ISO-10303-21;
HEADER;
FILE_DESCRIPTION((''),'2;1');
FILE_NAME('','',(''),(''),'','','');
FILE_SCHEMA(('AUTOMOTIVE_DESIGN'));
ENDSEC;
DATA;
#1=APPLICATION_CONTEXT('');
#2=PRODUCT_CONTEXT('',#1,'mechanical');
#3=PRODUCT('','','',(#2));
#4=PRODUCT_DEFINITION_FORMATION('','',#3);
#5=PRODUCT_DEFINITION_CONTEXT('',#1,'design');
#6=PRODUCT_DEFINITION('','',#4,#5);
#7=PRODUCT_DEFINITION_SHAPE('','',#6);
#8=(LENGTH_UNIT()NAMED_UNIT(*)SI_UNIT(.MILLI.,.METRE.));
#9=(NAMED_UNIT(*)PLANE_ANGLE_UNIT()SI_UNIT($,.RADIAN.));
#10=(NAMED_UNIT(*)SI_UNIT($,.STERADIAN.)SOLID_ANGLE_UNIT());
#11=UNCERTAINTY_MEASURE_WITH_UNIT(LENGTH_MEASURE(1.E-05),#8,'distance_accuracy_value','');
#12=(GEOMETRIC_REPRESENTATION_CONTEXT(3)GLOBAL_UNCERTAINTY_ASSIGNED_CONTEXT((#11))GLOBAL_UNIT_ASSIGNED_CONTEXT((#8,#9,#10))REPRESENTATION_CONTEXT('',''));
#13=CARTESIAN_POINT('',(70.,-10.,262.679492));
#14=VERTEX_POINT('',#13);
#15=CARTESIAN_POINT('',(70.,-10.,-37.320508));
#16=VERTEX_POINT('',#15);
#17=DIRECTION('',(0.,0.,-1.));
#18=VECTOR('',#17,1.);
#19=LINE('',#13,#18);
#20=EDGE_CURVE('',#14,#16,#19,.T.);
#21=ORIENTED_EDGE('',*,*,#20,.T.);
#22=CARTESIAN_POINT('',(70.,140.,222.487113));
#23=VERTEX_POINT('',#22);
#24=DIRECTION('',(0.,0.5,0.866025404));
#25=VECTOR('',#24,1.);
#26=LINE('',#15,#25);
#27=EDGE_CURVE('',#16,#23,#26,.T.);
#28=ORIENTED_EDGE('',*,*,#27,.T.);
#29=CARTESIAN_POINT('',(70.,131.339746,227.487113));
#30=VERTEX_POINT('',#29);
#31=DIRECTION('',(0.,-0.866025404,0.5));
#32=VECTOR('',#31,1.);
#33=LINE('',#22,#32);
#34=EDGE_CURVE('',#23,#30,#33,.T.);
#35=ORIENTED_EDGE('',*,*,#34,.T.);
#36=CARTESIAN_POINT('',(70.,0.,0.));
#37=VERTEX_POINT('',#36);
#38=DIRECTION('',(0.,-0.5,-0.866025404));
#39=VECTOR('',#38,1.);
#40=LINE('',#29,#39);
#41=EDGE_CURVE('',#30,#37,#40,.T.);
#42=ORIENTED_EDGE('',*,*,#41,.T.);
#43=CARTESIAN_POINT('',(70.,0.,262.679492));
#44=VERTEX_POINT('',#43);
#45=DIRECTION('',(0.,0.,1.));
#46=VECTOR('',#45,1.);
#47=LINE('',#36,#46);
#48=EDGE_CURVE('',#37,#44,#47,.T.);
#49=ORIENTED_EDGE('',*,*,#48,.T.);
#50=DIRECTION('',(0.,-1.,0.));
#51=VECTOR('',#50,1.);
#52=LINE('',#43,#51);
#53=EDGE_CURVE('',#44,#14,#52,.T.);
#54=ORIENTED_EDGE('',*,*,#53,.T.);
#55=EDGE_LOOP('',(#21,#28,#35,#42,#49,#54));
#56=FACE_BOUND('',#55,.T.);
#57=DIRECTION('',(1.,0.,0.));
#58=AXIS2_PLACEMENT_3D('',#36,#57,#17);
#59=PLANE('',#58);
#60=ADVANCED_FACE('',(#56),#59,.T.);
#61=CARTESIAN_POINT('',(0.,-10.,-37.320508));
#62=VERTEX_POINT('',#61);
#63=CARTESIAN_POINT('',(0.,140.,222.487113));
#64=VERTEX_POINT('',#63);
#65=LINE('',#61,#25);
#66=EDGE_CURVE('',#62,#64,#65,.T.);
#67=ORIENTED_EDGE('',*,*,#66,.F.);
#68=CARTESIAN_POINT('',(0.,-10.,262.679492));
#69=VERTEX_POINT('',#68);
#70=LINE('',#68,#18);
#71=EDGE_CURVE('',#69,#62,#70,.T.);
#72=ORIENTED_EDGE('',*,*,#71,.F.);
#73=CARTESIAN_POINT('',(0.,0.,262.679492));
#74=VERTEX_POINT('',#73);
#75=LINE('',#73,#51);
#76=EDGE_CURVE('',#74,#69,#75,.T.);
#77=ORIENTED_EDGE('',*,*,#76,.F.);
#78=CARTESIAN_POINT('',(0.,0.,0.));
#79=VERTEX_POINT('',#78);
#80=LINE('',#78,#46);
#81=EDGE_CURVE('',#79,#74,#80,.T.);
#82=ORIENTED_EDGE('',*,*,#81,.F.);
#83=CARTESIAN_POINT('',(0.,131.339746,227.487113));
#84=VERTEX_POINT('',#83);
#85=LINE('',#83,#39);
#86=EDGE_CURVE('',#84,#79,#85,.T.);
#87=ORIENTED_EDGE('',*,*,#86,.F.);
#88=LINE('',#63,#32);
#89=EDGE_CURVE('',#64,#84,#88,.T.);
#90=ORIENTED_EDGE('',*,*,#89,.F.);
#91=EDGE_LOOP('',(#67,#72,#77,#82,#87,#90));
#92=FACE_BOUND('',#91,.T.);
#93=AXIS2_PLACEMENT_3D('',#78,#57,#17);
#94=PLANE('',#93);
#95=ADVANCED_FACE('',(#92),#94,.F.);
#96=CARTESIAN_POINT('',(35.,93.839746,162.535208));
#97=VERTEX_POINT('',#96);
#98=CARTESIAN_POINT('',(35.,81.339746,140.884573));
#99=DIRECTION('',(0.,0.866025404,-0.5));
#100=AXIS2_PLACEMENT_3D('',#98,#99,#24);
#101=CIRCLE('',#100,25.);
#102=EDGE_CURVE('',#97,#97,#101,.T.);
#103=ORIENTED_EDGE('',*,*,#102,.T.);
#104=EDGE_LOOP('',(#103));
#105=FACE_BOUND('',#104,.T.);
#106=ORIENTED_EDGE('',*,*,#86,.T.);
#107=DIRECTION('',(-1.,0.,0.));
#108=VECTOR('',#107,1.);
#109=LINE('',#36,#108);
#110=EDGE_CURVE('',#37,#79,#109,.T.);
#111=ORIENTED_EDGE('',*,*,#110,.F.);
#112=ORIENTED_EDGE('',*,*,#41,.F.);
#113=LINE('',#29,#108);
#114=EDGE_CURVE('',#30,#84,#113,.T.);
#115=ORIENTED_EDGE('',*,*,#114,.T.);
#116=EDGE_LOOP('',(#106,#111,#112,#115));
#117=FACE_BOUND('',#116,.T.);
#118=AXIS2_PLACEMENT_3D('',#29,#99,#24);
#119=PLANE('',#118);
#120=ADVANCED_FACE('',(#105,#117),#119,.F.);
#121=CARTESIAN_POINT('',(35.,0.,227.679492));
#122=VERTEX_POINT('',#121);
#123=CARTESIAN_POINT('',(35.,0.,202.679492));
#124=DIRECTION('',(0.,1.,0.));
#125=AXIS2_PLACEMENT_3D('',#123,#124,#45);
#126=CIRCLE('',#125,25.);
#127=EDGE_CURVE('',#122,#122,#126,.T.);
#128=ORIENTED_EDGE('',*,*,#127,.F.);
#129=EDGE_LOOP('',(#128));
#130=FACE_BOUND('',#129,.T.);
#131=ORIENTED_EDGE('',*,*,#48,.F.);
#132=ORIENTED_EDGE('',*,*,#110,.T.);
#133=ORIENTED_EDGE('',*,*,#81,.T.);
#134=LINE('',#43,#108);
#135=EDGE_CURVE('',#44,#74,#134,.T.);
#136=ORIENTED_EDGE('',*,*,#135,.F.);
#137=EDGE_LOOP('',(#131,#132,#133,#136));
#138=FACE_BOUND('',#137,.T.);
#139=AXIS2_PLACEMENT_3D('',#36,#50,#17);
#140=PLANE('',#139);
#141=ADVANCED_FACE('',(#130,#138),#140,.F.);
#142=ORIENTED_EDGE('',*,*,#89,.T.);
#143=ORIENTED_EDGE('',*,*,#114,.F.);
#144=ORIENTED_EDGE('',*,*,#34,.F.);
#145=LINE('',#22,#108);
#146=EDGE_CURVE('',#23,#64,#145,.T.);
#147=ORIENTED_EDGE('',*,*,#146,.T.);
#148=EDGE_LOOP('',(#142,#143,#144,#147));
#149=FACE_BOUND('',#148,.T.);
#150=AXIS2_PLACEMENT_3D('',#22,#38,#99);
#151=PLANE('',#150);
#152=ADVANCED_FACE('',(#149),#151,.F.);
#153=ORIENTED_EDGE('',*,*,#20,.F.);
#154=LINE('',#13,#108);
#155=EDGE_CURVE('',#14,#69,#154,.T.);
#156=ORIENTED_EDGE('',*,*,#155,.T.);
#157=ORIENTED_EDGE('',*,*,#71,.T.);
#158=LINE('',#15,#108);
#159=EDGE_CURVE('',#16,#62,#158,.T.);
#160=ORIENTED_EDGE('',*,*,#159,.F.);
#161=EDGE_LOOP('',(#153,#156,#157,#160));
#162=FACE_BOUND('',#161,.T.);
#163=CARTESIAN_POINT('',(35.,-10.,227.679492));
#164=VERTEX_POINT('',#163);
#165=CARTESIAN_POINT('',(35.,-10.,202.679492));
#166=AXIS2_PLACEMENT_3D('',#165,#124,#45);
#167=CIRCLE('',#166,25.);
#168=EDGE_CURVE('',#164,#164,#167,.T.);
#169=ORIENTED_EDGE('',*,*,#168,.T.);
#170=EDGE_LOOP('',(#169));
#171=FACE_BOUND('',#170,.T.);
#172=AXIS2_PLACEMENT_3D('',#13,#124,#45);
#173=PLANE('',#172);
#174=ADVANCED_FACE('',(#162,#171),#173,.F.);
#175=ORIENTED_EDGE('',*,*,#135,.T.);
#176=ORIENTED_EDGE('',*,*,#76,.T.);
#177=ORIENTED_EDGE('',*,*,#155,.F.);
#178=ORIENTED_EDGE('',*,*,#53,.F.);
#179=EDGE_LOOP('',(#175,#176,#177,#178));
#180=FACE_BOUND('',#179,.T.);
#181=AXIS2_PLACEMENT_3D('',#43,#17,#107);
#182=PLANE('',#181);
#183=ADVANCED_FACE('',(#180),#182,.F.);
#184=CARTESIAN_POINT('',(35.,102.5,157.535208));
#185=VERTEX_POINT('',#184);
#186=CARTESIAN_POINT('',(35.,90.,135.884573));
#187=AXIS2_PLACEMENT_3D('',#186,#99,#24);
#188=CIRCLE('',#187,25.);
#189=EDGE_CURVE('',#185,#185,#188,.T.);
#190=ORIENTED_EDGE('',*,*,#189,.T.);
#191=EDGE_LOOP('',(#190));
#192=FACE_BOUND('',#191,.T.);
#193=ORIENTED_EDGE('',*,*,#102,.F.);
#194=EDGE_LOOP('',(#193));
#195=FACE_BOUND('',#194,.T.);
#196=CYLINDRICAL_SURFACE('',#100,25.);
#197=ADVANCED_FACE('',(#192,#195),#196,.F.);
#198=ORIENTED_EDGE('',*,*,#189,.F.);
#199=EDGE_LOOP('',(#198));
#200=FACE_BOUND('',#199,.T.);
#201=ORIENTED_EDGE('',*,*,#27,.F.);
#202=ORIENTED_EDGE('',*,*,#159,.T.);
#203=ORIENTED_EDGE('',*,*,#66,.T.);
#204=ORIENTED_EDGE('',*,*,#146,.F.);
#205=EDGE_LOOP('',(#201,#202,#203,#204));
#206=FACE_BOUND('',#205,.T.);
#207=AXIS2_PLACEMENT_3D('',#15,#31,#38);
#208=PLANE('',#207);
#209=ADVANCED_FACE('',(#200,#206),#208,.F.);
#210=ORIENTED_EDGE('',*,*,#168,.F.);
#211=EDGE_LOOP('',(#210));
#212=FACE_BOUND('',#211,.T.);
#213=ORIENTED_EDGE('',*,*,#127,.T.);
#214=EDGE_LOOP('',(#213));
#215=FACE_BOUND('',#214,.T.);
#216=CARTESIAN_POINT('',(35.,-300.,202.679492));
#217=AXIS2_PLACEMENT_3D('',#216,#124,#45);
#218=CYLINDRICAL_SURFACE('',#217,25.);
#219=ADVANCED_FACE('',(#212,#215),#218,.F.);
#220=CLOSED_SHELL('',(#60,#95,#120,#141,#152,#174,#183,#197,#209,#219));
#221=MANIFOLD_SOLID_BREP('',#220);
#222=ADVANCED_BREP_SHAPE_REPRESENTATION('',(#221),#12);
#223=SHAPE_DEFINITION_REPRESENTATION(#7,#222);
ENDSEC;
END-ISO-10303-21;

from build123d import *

# Parameters (mm, degrees)
BOSS_EXTRUDE1_DEPTH = 70
SKETCH2_R           = 25
CUT_EXTRUDE1_DEPTH  = 10
SKETCH5_R           = 25
CUT_EXTRUDE3_DEPTH  = 300


with BuildPart() as part:
    # Sketch1 → Boss-Extrude1 (new body)
    with BuildSketch(Plane(origin=(0, 0, 0), x_dir=(0, 0, -1), z_dir=(1, 0, 0))):
        Polygon((-227.48711306, 131.339745962), (0, 0), (-262.679491924, 0), (-262.679491924, -10), (37.320508076, -10), (-222.48711306, 140), align=None)
    extrude(amount=BOSS_EXTRUDE1_DEPTH)

    # Sketch2 → Cut-Extrude1 (cut)
    with BuildSketch(Plane(origin=(0, 8.660254038, -5), x_dir=(1, 0, 0), z_dir=(0, 0.8660254037844418, -0.49999999999999445))):
        with Locations(Location((35, -162.679491924, 0), (0, 0, 270))):
            Circle(SKETCH2_R)
    extrude(amount=-CUT_EXTRUDE1_DEPTH, mode=Mode.SUBTRACT)

    # Sketch5 → Cut-Extrude3 (cut)
    with BuildSketch(Plane(origin=(0, 0, 0), x_dir=(1, 0, 0), z_dir=(0, 1, 0))):
        with Locations(Location((35, -202.679491924, 0), (0, 0, 270))):
            Circle(SKETCH5_R)
    extrude(amount=-CUT_EXTRUDE3_DEPTH, mode=Mode.SUBTRACT)


solid = part.part
